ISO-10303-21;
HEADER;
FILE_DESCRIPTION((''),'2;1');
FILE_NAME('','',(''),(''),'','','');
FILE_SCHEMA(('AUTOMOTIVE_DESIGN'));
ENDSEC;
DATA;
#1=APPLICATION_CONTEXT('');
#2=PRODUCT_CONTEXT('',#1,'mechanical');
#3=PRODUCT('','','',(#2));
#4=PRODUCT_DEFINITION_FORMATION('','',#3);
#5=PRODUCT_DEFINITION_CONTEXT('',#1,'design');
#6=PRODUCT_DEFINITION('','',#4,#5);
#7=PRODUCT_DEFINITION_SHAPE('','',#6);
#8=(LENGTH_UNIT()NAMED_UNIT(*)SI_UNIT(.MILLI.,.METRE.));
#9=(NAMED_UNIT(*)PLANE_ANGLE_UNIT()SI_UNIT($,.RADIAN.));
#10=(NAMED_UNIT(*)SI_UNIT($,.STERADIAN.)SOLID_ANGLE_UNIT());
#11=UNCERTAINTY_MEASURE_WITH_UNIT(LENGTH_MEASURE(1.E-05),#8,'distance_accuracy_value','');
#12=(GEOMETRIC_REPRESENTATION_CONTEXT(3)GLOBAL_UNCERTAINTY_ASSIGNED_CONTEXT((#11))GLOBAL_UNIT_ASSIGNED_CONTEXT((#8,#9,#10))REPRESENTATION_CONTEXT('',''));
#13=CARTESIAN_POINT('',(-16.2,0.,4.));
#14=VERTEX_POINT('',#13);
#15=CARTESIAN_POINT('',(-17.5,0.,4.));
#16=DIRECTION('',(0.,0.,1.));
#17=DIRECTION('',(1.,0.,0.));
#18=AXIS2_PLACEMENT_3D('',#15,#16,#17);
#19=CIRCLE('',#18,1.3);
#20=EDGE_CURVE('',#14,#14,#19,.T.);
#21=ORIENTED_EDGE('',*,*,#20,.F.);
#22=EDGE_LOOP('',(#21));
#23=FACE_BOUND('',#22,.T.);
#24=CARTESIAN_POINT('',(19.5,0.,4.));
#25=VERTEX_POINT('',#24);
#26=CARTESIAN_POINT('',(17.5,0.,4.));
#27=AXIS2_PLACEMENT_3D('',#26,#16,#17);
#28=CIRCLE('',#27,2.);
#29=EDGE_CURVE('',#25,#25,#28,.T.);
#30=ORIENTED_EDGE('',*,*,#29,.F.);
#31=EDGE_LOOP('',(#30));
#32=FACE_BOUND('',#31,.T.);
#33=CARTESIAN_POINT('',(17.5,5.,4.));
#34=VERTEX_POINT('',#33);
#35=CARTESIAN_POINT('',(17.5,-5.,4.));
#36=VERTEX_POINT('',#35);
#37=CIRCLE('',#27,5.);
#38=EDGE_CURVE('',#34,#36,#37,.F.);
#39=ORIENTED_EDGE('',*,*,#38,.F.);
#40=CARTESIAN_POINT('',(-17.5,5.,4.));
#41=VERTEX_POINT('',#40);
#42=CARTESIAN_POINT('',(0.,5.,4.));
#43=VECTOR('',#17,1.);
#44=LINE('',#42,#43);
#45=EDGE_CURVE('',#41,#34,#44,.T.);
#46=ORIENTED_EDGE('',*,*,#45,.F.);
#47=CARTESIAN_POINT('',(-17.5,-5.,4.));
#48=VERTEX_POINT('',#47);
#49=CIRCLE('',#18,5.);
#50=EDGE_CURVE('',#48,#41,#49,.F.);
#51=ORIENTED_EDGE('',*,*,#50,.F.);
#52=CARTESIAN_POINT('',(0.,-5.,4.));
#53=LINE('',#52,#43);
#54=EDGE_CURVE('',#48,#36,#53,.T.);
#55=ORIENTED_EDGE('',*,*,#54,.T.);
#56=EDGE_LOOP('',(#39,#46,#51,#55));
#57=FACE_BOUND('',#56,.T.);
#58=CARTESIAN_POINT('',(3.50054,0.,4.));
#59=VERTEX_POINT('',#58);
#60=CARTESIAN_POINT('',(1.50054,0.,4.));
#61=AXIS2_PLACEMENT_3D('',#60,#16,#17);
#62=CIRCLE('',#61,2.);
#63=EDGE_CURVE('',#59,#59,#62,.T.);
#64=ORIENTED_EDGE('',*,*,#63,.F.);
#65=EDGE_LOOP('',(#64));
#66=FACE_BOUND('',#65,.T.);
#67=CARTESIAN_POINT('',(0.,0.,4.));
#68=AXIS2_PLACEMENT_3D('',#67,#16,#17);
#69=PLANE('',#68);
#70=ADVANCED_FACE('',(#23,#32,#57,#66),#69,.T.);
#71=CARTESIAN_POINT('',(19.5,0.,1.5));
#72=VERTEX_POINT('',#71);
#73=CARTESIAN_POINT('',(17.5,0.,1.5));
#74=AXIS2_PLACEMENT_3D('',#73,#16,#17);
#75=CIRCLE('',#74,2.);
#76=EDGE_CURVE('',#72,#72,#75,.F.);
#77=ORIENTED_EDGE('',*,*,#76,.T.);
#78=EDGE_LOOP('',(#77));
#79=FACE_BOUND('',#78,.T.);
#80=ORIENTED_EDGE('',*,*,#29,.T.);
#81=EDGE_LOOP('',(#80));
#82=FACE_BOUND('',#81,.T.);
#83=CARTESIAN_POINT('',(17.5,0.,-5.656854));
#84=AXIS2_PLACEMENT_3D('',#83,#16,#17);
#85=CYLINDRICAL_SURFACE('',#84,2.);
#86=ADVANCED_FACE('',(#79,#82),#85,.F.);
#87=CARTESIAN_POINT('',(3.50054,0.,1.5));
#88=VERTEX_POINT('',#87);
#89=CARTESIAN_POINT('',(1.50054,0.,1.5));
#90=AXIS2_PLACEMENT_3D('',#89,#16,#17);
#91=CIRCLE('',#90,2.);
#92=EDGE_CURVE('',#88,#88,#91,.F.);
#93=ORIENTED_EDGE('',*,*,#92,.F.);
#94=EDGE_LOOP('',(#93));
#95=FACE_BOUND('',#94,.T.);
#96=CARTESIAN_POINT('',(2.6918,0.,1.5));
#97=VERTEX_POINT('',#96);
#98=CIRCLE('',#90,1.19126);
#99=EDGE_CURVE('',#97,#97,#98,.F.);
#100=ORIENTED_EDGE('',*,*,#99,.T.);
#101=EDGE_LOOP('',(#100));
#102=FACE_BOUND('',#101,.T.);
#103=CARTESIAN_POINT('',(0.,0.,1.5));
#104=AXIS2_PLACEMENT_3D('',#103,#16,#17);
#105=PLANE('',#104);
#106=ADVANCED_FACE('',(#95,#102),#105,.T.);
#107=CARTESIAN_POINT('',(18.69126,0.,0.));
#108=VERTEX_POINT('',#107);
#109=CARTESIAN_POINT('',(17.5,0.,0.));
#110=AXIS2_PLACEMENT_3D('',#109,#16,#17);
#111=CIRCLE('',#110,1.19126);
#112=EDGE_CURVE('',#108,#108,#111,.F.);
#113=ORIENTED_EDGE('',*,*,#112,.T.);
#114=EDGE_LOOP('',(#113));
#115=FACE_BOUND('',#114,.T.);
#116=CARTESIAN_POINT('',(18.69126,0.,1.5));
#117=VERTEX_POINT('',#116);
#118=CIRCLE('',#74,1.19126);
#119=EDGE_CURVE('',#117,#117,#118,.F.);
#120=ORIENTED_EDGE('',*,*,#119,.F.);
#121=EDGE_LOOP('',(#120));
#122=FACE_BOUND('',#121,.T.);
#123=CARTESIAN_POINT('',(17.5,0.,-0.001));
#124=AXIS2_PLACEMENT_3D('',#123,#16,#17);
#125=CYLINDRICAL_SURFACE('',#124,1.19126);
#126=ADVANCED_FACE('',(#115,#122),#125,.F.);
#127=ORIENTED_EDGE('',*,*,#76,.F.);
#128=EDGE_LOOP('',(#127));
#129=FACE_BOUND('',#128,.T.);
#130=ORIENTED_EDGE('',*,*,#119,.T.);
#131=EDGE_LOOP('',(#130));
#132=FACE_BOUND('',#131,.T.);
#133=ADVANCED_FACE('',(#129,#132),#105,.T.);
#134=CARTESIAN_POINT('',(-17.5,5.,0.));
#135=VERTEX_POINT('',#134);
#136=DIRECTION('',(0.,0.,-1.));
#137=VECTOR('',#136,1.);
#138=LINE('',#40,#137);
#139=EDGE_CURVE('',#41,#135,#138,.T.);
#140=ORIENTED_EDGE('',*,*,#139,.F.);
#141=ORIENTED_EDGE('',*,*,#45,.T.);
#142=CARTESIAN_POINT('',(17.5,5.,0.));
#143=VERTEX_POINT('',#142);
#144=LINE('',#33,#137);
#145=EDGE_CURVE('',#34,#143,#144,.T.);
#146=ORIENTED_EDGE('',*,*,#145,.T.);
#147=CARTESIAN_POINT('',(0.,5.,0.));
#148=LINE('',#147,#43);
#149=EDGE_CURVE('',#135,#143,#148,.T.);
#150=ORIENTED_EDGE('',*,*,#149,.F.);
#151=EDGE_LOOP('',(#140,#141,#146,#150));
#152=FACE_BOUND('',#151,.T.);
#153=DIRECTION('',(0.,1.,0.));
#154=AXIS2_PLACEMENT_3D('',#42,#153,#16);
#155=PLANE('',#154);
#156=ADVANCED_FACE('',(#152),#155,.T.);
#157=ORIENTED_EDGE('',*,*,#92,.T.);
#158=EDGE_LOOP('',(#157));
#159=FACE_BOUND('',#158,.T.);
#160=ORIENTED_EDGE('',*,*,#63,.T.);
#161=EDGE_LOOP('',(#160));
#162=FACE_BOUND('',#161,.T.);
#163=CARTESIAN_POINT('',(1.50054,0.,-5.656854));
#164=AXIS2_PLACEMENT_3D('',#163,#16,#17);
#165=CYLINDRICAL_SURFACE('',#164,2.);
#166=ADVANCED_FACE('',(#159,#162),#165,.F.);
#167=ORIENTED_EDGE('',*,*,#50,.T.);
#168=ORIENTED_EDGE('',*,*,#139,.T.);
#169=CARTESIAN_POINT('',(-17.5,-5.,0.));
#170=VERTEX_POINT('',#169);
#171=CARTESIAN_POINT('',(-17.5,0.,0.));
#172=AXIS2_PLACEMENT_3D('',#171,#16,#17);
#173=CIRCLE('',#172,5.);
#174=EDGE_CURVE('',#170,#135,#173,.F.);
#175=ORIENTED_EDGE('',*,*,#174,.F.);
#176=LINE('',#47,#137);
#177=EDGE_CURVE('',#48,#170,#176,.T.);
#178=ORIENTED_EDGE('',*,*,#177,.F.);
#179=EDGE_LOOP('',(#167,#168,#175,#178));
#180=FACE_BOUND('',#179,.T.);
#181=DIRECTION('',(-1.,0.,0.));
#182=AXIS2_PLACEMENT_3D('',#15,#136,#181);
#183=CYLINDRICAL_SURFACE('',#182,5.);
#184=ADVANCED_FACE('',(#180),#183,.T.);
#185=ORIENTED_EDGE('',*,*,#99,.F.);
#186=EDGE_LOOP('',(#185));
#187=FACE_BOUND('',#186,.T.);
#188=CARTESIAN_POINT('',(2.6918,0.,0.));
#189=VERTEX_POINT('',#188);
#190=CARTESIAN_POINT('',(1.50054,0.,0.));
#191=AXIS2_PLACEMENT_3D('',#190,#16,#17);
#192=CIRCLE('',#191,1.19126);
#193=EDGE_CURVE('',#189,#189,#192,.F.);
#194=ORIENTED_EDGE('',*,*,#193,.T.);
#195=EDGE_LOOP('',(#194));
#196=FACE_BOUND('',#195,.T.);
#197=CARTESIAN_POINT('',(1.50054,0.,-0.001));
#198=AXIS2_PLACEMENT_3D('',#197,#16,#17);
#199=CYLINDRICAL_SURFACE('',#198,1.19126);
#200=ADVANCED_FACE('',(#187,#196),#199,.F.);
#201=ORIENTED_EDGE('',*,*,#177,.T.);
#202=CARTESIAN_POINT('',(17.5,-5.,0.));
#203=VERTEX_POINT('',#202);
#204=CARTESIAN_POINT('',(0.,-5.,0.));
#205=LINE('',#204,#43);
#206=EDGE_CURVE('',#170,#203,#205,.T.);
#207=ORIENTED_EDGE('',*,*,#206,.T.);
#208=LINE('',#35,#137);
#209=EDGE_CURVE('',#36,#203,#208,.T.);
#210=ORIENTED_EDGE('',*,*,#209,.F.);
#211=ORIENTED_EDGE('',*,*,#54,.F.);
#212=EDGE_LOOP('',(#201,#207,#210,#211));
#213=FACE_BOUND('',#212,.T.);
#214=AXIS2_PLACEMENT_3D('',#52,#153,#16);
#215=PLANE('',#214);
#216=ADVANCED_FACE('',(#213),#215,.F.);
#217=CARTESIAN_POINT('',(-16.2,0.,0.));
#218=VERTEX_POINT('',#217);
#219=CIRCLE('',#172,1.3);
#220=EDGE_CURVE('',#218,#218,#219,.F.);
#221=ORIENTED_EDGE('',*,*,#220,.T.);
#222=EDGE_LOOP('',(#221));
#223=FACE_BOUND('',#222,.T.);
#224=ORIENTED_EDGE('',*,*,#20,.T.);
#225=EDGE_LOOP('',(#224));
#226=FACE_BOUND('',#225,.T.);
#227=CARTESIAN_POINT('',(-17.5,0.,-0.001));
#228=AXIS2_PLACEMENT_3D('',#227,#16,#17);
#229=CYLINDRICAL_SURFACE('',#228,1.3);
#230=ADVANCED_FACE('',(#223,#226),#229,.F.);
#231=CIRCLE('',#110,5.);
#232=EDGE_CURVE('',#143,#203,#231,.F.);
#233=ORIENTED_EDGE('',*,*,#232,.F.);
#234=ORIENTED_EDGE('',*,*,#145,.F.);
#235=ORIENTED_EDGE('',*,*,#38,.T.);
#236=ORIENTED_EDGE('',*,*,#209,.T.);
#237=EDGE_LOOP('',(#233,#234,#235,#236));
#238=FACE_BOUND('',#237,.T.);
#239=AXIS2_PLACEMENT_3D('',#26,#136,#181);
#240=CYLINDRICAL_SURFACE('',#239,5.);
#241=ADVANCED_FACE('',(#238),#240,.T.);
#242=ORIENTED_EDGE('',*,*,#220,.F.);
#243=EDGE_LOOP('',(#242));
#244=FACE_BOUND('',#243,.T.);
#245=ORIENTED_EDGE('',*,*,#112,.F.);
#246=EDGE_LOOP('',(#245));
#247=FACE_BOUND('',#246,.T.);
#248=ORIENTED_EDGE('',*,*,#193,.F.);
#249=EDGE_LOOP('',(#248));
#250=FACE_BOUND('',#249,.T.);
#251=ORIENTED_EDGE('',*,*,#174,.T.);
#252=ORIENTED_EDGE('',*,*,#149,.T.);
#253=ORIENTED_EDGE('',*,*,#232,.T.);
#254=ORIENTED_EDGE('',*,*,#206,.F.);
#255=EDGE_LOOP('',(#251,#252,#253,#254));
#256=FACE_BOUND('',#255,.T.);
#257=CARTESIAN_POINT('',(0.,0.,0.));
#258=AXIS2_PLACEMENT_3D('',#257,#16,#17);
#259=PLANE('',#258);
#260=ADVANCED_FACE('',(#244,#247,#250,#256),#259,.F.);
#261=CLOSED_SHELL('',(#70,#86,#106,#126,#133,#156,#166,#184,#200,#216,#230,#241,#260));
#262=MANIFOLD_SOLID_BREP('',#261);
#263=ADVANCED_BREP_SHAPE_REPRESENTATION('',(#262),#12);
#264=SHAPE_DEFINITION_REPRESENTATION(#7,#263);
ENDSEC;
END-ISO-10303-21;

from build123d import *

# Parameters (mm, degrees)
ESQUISSE1_W             = 35
ESQUISSE1_H             = 10
BOSS_EXTRU_1_DEPTH      = 4
ENL_V_MAT_EXTRU_1_REACH = 25.393
ESQUISSE2_R             = 1.19126
ESQUISSE2_R_2           = 1.3
ESQUISSE4_R             = 2
ENL_V_MAT_EXTRU_2_DEPTH = 2.5


with BuildPart() as part:
    # Esquisse1 → Boss.-Extru.1 (new body)
    with BuildSketch(Plane.XY):
        Rectangle(ESQUISSE1_W, ESQUISSE1_H)
        with BuildLine():
            ThreePointArc((17.5, 5), (22.5, 0), (17.5, -5))
            Line((17.5, -5), (17.5, 5))
        make_face()
        with BuildLine():
            ThreePointArc((-17.5, -5), (-22.5, 0), (-17.5, 5))
            Line((-17.5, 5), (-17.5, -5))
        make_face()
    extrude(amount=BOSS_EXTRU_1_DEPTH)

    # Esquisse2 → Enlèv. mat.-Extru.1 (cut, up to next)
    with BuildSketch(Plane.XY.offset(4), mode=Mode.PRIVATE) as enl_v_mat_extru_1_sk1:
        with Locations((17.5, 0)):
            Circle(ESQUISSE2_R)
    enl_v_mat_extru_1_tool1 = extrude(enl_v_mat_extru_1_sk1.sketch, amount=-ENL_V_MAT_EXTRU_1_REACH, mode=Mode.PRIVATE) & part.part
    # Esquisse2 → Enlèv. mat.-Extru.1 (cut, up to next)
    with BuildSketch(Plane.XY.offset(4), mode=Mode.PRIVATE) as enl_v_mat_extru_1_sk2:
        with Locations((1.50054, 0)):
            Circle(ESQUISSE2_R)
    enl_v_mat_extru_1_tool2 = extrude(enl_v_mat_extru_1_sk2.sketch, amount=-ENL_V_MAT_EXTRU_1_REACH, mode=Mode.PRIVATE) & part.part
    # Esquisse2 → Enlèv. mat.-Extru.1 (cut, up to next)
    with BuildSketch(Plane.XY.offset(4), mode=Mode.PRIVATE) as enl_v_mat_extru_1_sk3:
        with Locations((-17.5, 0)):
            Circle(ESQUISSE2_R_2)
    enl_v_mat_extru_1_tool3 = extrude(enl_v_mat_extru_1_sk3.sketch, amount=-ENL_V_MAT_EXTRU_1_REACH, mode=Mode.PRIVATE) & part.part
    add(enl_v_mat_extru_1_tool1.solids().sort_by_distance((17.5, 0, 4))[0], mode=Mode.SUBTRACT)
    add(enl_v_mat_extru_1_tool2.solids().sort_by_distance((1.50054, 0, 4))[0], mode=Mode.SUBTRACT)
    add(enl_v_mat_extru_1_tool3.solids().sort_by_distance((-17.5, 0, 4))[0], mode=Mode.SUBTRACT)

    # Esquisse4 → Enlèv. mat.-Extru.2 (cut)
    with BuildSketch(Plane.XY.offset(4)):
        with Locations((17.5, 0)):
            Circle(ESQUISSE4_R)
        with Locations((1.50054, 0)):
            Circle(ESQUISSE4_R)
    extrude(amount=-ENL_V_MAT_EXTRU_2_DEPTH, mode=Mode.SUBTRACT)


solid = part.part
